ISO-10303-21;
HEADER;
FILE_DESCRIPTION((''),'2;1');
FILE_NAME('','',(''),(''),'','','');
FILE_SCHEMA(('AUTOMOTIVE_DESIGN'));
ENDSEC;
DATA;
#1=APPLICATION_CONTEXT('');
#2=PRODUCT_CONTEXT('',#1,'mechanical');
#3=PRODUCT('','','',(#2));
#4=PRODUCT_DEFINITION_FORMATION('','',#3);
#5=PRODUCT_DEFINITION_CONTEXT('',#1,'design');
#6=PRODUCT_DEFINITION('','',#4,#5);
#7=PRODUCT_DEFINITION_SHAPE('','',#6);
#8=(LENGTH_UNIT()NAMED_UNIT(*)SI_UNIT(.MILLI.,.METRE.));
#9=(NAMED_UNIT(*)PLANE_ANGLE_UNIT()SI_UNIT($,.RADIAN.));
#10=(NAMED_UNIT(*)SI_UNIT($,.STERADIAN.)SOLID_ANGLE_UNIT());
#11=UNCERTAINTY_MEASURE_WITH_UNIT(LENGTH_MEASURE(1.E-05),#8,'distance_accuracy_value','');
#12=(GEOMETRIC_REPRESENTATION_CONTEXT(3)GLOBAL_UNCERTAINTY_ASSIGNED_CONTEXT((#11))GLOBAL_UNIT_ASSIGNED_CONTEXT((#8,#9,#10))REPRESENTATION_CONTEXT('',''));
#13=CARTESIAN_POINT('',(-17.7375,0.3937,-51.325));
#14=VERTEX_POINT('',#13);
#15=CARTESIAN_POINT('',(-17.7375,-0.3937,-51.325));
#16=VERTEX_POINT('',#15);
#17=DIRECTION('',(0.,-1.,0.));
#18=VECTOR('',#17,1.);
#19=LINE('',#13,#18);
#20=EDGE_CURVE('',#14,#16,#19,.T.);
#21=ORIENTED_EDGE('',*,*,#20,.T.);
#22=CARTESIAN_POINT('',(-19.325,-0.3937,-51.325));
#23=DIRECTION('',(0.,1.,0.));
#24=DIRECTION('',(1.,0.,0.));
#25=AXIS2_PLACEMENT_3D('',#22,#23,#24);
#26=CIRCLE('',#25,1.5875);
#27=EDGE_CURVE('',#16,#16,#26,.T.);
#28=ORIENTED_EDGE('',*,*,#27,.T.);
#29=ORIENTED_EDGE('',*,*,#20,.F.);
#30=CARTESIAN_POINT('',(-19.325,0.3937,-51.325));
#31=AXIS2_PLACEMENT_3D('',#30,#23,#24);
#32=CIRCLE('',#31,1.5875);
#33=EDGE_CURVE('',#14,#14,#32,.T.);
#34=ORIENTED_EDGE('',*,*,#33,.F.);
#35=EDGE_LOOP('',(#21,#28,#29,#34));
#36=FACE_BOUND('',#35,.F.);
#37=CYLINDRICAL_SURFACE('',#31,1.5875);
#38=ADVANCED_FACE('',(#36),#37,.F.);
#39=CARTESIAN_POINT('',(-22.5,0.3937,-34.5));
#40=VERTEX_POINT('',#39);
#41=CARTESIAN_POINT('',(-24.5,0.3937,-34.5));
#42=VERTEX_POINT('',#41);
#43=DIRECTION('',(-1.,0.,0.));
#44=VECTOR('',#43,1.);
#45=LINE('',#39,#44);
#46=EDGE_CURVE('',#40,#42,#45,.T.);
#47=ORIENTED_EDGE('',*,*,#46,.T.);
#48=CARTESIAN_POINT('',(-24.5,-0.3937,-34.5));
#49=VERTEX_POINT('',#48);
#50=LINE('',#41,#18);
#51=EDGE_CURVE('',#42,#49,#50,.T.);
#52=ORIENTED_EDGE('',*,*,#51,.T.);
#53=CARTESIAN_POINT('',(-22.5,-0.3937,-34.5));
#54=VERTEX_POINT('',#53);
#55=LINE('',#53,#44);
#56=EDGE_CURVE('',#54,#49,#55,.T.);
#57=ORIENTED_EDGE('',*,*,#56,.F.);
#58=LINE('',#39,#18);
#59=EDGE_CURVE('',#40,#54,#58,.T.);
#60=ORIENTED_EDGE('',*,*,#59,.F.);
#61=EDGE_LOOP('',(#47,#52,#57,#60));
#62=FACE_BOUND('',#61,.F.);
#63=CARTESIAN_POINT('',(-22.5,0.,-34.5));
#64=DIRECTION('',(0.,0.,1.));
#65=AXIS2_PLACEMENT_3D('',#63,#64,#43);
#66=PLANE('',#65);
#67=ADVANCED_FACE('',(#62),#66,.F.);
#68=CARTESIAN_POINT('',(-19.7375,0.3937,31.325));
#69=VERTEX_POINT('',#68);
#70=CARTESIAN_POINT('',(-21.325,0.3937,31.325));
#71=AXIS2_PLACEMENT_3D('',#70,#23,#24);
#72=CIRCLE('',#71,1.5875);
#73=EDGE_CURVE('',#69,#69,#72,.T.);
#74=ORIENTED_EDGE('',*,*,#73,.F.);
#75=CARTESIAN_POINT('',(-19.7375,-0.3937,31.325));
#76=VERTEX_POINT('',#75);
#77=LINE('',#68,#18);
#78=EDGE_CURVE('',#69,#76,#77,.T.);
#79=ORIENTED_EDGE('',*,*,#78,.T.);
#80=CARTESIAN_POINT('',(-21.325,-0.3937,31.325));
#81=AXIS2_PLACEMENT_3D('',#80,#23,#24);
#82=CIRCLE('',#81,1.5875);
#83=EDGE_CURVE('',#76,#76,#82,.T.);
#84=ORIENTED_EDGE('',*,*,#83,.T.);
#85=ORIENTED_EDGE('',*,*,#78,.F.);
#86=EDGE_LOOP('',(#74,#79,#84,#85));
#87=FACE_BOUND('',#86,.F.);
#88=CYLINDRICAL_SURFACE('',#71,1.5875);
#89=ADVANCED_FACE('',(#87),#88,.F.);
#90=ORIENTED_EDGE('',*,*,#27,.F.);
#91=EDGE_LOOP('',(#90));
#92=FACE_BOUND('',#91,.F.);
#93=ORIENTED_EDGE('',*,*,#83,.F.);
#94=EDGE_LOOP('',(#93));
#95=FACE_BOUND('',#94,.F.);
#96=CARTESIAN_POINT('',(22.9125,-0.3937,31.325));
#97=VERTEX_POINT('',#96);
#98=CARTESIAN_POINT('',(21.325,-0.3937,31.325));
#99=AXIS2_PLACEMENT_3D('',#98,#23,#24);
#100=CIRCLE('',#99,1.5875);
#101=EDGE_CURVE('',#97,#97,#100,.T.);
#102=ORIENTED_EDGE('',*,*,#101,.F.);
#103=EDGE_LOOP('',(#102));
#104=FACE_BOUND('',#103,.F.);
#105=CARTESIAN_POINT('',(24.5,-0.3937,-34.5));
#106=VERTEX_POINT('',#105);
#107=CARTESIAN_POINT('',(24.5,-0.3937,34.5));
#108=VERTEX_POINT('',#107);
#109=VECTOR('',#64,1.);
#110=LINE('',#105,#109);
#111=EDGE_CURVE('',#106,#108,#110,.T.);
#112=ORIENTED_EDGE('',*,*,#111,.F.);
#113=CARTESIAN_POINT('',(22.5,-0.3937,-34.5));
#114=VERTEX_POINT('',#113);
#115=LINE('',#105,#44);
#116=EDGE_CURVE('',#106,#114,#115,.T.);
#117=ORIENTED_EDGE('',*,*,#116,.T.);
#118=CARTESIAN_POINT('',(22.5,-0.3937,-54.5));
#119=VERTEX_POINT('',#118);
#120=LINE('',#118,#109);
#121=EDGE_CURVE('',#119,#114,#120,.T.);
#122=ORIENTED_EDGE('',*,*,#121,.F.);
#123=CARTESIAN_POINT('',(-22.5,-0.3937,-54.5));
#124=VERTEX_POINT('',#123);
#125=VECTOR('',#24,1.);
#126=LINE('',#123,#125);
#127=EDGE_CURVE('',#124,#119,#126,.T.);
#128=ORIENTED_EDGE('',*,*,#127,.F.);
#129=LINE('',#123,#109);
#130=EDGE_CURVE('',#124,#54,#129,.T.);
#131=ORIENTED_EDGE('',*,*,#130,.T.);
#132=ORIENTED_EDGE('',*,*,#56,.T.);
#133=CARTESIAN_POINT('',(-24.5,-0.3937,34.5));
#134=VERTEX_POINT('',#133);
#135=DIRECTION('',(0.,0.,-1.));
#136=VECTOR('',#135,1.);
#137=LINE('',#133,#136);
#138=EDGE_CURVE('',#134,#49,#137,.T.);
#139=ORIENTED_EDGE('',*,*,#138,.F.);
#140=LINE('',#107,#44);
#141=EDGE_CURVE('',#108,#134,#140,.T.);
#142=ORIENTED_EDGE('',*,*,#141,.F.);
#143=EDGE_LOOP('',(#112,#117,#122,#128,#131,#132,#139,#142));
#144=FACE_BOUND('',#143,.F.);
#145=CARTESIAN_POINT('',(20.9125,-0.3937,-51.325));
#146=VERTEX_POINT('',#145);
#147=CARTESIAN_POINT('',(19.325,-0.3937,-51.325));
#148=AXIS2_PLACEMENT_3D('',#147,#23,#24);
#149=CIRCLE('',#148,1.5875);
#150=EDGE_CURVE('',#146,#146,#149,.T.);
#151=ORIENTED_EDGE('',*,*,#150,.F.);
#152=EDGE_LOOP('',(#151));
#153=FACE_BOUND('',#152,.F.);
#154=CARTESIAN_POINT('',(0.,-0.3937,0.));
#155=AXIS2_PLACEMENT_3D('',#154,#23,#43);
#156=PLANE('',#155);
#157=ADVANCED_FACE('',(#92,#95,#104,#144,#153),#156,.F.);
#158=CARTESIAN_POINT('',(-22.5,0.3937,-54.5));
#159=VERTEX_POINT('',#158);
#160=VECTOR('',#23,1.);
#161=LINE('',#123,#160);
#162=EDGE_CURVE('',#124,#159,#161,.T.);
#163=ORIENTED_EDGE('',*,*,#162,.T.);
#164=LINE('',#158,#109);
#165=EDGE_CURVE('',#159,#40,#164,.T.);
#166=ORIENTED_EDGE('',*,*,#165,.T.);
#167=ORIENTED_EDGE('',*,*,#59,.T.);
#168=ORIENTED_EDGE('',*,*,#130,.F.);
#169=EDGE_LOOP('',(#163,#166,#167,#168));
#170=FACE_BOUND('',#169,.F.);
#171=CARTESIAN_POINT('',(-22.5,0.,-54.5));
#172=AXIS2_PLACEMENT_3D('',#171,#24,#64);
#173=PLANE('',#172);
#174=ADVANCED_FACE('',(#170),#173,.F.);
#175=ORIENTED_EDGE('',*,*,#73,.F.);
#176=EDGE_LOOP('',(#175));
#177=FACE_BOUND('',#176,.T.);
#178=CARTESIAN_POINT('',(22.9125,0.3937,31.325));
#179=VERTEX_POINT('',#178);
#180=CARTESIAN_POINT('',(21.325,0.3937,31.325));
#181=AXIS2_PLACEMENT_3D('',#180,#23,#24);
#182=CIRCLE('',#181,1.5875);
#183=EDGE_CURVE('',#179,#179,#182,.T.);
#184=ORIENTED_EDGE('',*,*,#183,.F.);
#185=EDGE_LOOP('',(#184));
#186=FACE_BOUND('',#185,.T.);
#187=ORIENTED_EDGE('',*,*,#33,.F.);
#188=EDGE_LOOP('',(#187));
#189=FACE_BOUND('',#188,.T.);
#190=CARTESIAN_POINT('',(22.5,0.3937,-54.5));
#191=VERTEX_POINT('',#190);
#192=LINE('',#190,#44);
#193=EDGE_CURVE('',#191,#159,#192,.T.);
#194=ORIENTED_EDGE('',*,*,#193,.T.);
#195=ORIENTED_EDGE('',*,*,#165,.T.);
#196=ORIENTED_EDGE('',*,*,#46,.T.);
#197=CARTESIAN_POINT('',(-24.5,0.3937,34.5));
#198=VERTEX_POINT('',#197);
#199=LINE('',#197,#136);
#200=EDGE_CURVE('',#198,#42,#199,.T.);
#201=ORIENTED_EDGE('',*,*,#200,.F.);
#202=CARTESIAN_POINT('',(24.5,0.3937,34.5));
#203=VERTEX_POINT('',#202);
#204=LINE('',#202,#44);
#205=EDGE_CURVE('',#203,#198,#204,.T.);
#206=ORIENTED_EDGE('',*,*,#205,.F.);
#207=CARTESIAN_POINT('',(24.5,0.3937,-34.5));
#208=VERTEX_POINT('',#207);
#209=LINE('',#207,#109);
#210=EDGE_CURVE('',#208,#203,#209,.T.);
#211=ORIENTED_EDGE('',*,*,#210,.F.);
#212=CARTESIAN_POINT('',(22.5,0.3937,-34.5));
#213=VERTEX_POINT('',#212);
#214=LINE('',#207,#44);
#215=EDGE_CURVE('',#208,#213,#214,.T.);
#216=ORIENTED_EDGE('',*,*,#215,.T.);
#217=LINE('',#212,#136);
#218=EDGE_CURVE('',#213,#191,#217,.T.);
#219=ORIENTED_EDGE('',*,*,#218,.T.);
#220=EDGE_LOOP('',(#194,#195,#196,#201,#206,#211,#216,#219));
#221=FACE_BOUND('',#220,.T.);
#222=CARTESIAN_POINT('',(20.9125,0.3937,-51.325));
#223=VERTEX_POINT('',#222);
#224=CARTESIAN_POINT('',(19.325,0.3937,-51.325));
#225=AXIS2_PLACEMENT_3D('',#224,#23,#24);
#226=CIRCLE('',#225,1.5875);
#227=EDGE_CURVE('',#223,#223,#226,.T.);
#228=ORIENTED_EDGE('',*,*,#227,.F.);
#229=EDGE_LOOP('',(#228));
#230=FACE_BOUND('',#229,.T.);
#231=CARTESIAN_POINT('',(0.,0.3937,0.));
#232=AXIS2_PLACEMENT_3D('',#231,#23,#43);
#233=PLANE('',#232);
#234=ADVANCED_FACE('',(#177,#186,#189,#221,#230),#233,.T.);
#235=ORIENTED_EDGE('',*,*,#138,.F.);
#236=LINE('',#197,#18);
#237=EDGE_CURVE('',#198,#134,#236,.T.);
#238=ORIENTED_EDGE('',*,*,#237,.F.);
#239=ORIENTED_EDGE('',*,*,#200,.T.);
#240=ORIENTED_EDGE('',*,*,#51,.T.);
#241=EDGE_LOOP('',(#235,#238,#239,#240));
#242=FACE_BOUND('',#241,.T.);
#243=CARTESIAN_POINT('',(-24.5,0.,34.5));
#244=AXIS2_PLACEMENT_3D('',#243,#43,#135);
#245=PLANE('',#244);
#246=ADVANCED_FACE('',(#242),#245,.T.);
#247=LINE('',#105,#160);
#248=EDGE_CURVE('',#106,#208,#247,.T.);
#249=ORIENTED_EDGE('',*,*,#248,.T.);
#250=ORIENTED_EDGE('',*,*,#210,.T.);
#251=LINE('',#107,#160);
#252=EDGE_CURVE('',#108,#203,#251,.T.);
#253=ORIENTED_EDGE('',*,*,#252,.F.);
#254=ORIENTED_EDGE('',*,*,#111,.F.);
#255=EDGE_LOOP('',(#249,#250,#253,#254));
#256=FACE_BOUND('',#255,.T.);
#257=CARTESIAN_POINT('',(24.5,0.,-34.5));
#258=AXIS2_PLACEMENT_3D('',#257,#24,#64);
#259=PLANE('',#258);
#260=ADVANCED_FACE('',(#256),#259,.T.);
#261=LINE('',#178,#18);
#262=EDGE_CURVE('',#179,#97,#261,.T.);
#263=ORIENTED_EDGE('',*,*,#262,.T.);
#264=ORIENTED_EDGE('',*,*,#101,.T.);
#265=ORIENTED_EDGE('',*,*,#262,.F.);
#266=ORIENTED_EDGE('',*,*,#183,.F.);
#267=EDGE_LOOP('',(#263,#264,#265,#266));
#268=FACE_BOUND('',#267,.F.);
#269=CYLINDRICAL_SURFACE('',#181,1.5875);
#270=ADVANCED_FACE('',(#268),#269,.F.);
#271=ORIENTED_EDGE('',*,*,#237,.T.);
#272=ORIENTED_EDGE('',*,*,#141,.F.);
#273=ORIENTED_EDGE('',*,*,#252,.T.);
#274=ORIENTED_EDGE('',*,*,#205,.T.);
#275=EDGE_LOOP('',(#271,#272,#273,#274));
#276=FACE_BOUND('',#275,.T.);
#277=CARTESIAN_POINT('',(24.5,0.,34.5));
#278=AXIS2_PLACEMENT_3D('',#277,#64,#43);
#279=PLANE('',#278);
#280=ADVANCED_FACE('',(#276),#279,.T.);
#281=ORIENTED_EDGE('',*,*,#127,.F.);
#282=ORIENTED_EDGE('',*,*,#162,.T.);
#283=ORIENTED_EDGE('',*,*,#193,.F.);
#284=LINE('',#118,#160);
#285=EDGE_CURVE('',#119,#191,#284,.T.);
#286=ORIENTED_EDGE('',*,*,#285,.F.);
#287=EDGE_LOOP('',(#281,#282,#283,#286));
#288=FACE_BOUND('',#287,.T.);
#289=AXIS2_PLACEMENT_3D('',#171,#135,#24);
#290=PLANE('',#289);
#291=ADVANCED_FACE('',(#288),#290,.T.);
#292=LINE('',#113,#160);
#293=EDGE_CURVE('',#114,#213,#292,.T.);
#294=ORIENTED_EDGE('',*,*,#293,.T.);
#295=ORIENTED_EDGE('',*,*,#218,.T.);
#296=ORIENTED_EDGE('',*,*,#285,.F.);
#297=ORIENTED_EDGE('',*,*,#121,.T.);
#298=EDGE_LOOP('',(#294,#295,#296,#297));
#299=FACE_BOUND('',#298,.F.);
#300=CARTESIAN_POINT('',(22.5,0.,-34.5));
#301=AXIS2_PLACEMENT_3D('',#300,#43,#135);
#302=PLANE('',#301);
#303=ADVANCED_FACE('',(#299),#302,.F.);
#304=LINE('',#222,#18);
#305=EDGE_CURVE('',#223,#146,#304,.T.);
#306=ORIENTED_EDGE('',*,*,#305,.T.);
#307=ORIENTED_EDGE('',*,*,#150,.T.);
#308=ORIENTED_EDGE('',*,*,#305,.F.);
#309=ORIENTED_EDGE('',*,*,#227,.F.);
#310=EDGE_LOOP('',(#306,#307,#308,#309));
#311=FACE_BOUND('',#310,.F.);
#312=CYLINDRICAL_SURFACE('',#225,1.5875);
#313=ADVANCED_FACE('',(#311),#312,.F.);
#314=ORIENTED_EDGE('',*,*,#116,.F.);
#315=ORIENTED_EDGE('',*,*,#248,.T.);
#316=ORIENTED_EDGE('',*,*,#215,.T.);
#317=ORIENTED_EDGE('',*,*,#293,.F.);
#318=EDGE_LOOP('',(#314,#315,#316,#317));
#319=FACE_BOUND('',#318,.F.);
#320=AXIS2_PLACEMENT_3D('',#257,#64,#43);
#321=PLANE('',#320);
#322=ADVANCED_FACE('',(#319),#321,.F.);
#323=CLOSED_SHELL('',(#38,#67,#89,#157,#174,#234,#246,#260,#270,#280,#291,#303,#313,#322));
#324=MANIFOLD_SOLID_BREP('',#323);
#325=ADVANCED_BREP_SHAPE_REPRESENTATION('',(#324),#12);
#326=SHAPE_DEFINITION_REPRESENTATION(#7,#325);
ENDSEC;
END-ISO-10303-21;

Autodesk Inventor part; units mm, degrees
ref_plane "YZ Plane" through (0, 0, 0) normal (1, 0, 0) x (0, 1, 0)
ref_plane "XZ Plane" through (0, 0, 0) normal (0, 1, 0) x (-1, 0, 0)
ref_plane "XY Plane" through (0, 0, 0) normal (0, 0, 1) x (1, 0, 0)
sketch "Sketch1" plane through (0, 0, 0) normal (0, 1, 0) x (-1, 0, 0)
  line L0 (-24.5, 34.5) -> (24.5, 34.5)
  line L1 (24.5, 34.5) -> (24.5, -34.5)
  line L2 (-24.5, -34.5) -> (-24.5, 34.5)
  line L3 (-24.5, 34.5) -> (24.5, -34.5) construction
  line L4 (24.5, 34.5) -> (-24.5, -34.5) construction
  line L5 (22.5, -54.5) -> (-22.5, -54.5)
  line L6 (-22.5, -14.5) -> (22.5, -54.5) construction
  line L7 (22.5, -14.5) -> (-22.5, -54.5) construction
  line L8 (-22.5, -34.5) -> (-22.5, -54.5)
  line L9 (-22.5, -54.5) -> (22.5, -54.5)
  line L10 (22.5, -54.5) -> (22.5, -34.5)
  line L11 (22.5, -34.5) -> (24.5, -34.5)
  line L12 (-24.5, -34.5) -> (-22.5, -34.5)
  line L13 (-22.5, -54.5) -> (-19.325, -54.5)
  line L14 (-19.325, -54.5) -> (-19.325, -51.325)
  line L15 (-19.325, -51.325) -> (-22.5, -51.325)
  line L16 (-22.5, -51.325) -> (-22.5, -54.5)
  point P0 (0, 0)
  point P1 (0, -34.5)
  dimension "d0" = 49
  dimension "d1" = 69
  dimension "d2" = 45
  dimension "d3" = 40
  dimension "d6" = 3.175
  dimension "d7" = 3.175
extrude "Extrusion1" add sketch "Sketch1" along normal mid plane 0.7874
sketch "Sketch2" plane through (0, 0.3937, 0) normal (0, 1, 0) x (1, 0, 0)
  circle A0 centre (-19.325, 51.325) radius 1.5875
  circle A1 centre (19.325, 51.325) radius 1.5875
  circle A2 centre (21.325, -31.325) radius 1.5875
  circle A3 centre (-21.325, -31.325) radius 1.5875
  point P0 (0, 0)
  point P1 (24.5, -34.5)
  point P2 (-22.5, 54.5)
  dimension "d16" = 3.175
  dimension "d17" = 3.175
  dimension "d18" = 3.175
  dimension "d19" = 3.175
extrude "Extrusion2" cut sketch "Sketch2" against normal through all
properties part number "89x49mm-PCB"
